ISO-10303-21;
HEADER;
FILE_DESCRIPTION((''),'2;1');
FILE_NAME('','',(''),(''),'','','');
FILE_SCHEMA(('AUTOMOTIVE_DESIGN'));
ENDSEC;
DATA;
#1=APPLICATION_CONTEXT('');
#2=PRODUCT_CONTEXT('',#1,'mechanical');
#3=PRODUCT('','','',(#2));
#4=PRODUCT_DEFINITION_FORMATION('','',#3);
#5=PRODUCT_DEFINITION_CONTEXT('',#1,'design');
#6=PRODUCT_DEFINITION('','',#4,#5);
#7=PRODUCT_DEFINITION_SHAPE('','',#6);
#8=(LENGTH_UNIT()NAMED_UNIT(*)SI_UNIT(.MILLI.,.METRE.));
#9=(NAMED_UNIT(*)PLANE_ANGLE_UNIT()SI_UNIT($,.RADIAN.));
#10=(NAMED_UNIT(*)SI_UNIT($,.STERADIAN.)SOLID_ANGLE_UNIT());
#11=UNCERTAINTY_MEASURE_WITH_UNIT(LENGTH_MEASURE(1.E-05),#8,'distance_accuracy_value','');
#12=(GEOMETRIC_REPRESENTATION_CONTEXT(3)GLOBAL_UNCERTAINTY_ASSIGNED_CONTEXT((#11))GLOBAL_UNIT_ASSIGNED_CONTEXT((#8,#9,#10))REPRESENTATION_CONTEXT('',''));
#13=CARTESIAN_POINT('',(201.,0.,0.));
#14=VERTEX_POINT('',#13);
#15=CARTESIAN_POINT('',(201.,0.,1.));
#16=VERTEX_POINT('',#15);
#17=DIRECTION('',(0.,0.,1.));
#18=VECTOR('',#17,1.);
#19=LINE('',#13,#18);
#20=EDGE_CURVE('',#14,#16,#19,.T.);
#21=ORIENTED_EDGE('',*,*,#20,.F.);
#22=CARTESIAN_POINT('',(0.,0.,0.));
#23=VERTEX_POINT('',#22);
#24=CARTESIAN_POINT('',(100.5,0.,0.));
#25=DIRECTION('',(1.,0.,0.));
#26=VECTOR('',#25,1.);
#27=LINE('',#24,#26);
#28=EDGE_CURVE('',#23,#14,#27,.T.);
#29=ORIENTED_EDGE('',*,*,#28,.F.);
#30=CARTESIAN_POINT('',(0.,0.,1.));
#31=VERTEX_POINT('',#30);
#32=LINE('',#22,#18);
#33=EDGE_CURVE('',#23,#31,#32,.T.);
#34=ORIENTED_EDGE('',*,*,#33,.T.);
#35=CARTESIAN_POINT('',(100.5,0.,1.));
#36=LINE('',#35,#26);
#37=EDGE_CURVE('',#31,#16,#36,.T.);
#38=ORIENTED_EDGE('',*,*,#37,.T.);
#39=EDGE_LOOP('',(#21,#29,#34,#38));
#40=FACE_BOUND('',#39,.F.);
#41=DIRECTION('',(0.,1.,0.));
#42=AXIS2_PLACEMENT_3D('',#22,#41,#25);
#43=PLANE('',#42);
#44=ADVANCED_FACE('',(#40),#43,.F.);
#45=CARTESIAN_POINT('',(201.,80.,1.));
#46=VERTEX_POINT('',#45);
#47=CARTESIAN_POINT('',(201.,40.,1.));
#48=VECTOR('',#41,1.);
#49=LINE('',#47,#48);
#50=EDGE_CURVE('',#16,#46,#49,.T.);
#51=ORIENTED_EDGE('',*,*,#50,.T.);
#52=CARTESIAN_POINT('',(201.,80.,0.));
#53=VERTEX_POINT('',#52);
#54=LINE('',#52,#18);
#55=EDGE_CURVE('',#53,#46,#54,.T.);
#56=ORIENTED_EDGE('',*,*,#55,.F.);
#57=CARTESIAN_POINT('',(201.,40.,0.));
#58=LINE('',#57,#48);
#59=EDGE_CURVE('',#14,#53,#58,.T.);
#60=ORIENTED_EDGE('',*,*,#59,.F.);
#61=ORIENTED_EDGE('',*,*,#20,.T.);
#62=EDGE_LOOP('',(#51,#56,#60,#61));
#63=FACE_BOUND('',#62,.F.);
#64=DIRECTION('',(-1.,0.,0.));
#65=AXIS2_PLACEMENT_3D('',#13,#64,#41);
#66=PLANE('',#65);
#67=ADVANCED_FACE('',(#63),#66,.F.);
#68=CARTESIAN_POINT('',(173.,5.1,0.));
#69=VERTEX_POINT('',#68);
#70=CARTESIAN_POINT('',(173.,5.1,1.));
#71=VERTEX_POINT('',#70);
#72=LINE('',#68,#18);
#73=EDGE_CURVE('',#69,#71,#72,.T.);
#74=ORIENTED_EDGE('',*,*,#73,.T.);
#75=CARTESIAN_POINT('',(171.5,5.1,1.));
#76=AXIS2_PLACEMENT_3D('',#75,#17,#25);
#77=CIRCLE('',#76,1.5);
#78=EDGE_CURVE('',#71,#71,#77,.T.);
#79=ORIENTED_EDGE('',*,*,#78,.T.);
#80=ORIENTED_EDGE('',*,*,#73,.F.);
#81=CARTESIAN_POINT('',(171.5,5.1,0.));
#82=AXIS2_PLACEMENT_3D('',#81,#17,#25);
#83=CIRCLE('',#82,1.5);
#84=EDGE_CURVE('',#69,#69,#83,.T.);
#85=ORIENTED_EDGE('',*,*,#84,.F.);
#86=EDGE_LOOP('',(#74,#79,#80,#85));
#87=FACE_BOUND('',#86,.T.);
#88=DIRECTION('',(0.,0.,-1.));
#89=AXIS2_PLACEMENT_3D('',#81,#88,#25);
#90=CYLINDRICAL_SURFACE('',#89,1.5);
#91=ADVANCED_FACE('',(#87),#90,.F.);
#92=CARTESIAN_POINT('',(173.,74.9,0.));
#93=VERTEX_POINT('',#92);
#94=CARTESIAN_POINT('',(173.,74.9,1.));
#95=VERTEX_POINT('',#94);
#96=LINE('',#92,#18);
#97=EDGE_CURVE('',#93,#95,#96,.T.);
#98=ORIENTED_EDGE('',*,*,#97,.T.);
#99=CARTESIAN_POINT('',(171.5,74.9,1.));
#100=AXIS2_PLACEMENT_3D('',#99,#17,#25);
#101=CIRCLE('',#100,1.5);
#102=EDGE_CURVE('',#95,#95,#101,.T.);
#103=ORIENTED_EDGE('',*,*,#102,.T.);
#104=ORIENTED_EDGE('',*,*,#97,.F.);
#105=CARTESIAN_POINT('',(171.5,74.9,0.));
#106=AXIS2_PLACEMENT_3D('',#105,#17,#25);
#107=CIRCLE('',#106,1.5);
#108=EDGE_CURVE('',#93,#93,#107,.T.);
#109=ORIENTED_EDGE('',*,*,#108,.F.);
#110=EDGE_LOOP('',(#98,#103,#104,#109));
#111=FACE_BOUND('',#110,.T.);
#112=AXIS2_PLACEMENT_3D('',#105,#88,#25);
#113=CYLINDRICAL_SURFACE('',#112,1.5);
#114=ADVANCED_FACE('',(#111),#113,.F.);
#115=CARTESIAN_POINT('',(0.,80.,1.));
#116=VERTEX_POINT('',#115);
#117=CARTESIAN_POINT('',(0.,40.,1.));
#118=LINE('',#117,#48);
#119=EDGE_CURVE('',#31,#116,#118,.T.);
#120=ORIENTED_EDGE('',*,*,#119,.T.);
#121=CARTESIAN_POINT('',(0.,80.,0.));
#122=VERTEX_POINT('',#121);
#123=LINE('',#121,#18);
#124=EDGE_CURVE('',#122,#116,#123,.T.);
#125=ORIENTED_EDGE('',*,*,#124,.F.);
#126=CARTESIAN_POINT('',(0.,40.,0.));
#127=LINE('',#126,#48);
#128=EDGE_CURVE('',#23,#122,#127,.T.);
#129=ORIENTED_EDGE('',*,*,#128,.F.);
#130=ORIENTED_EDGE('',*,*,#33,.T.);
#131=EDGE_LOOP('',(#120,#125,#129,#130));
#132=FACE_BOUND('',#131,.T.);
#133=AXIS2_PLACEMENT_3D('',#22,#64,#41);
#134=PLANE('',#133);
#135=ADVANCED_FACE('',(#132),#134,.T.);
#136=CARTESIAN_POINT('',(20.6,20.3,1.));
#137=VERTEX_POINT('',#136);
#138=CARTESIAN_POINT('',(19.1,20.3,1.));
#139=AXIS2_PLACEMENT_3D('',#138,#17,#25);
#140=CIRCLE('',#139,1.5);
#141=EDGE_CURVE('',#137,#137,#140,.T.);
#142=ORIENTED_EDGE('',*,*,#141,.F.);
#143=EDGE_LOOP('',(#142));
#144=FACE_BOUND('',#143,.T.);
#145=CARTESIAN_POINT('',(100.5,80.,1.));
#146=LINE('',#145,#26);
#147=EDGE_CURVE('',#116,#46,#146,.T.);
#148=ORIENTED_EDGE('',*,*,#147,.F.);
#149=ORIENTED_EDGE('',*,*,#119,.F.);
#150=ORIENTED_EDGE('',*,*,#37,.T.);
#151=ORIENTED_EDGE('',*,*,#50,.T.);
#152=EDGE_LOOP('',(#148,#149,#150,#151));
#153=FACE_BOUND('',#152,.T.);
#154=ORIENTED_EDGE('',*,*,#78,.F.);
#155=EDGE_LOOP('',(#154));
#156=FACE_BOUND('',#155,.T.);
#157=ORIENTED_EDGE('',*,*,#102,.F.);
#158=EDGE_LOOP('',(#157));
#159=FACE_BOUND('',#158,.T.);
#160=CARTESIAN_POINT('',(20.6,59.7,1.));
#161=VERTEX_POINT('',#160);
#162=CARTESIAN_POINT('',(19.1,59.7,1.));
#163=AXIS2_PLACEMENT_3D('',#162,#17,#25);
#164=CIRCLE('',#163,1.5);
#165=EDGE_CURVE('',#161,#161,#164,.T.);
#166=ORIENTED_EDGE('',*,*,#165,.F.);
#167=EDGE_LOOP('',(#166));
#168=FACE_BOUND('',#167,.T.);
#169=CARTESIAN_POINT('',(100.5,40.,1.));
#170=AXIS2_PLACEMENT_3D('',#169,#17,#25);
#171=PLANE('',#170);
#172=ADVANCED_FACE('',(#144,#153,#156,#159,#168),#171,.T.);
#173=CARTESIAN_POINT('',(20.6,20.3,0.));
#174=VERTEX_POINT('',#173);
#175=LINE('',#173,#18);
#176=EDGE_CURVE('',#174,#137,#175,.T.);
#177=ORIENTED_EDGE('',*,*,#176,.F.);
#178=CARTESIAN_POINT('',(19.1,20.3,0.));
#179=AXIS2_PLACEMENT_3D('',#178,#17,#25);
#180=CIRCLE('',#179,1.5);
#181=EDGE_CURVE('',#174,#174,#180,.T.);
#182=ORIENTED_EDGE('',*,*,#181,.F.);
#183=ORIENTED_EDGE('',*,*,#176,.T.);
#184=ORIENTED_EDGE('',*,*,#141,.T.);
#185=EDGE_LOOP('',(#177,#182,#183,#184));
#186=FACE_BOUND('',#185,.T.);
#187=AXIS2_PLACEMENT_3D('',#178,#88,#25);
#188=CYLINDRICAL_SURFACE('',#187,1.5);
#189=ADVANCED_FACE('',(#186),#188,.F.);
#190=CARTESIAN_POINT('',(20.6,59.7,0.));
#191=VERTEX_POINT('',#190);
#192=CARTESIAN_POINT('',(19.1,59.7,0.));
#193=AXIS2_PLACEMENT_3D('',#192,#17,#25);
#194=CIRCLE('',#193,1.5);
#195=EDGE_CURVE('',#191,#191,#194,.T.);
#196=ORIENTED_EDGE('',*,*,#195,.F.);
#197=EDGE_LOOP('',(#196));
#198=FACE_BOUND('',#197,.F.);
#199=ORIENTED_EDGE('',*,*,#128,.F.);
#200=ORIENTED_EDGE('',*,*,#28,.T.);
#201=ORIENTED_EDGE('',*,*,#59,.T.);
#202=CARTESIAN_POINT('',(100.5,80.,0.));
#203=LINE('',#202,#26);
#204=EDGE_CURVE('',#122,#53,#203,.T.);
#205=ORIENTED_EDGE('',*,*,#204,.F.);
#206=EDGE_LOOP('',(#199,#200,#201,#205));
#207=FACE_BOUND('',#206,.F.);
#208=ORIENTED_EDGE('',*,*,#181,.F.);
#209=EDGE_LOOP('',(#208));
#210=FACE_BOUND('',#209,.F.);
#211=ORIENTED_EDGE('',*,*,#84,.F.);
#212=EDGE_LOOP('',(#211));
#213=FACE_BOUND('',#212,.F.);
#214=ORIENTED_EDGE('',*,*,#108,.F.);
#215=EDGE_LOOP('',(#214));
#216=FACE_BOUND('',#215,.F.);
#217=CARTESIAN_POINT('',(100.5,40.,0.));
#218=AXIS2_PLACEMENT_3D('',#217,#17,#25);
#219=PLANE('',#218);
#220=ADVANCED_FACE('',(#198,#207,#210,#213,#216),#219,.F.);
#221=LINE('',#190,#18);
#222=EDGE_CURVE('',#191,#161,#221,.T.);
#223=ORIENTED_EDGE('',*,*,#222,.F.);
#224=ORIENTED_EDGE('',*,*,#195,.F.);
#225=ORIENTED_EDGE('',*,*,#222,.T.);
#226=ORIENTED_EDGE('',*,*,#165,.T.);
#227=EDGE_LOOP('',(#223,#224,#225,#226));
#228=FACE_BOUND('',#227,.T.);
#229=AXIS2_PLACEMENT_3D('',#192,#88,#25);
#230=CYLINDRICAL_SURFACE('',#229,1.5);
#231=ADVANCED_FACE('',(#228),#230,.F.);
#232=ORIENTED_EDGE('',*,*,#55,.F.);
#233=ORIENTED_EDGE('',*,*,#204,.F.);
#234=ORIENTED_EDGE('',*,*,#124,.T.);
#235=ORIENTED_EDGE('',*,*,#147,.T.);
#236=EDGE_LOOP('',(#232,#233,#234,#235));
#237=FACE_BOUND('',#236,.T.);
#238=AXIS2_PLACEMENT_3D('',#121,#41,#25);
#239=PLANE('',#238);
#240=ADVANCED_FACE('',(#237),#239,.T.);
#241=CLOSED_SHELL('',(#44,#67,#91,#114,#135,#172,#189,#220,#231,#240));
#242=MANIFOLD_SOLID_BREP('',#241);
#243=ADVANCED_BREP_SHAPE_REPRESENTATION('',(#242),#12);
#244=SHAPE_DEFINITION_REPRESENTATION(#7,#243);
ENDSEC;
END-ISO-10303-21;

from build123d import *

# Parameters (mm, degrees)
SKETCH_W  = 201
SKETCH_H  = 80
SKETCH_R  = 1.5
PAD_DEPTH = 1


with BuildPart() as part:
    # Sketch → Pad (new body)
    with BuildSketch(Plane.XY):
        with Locations((100.5, 40)):
            Rectangle(SKETCH_W, SKETCH_H)
        with Locations((19.1, 59.7)):
            Circle(SKETCH_R, mode=Mode.SUBTRACT)
        with Locations((19.1, 20.3)):
            Circle(SKETCH_R, mode=Mode.SUBTRACT)
        with Locations((171.5, 74.9)):
            Circle(SKETCH_R, mode=Mode.SUBTRACT)
        with Locations((171.5, 5.1)):
            Circle(SKETCH_R, mode=Mode.SUBTRACT)
    extrude(amount=PAD_DEPTH)


solid = part.part
